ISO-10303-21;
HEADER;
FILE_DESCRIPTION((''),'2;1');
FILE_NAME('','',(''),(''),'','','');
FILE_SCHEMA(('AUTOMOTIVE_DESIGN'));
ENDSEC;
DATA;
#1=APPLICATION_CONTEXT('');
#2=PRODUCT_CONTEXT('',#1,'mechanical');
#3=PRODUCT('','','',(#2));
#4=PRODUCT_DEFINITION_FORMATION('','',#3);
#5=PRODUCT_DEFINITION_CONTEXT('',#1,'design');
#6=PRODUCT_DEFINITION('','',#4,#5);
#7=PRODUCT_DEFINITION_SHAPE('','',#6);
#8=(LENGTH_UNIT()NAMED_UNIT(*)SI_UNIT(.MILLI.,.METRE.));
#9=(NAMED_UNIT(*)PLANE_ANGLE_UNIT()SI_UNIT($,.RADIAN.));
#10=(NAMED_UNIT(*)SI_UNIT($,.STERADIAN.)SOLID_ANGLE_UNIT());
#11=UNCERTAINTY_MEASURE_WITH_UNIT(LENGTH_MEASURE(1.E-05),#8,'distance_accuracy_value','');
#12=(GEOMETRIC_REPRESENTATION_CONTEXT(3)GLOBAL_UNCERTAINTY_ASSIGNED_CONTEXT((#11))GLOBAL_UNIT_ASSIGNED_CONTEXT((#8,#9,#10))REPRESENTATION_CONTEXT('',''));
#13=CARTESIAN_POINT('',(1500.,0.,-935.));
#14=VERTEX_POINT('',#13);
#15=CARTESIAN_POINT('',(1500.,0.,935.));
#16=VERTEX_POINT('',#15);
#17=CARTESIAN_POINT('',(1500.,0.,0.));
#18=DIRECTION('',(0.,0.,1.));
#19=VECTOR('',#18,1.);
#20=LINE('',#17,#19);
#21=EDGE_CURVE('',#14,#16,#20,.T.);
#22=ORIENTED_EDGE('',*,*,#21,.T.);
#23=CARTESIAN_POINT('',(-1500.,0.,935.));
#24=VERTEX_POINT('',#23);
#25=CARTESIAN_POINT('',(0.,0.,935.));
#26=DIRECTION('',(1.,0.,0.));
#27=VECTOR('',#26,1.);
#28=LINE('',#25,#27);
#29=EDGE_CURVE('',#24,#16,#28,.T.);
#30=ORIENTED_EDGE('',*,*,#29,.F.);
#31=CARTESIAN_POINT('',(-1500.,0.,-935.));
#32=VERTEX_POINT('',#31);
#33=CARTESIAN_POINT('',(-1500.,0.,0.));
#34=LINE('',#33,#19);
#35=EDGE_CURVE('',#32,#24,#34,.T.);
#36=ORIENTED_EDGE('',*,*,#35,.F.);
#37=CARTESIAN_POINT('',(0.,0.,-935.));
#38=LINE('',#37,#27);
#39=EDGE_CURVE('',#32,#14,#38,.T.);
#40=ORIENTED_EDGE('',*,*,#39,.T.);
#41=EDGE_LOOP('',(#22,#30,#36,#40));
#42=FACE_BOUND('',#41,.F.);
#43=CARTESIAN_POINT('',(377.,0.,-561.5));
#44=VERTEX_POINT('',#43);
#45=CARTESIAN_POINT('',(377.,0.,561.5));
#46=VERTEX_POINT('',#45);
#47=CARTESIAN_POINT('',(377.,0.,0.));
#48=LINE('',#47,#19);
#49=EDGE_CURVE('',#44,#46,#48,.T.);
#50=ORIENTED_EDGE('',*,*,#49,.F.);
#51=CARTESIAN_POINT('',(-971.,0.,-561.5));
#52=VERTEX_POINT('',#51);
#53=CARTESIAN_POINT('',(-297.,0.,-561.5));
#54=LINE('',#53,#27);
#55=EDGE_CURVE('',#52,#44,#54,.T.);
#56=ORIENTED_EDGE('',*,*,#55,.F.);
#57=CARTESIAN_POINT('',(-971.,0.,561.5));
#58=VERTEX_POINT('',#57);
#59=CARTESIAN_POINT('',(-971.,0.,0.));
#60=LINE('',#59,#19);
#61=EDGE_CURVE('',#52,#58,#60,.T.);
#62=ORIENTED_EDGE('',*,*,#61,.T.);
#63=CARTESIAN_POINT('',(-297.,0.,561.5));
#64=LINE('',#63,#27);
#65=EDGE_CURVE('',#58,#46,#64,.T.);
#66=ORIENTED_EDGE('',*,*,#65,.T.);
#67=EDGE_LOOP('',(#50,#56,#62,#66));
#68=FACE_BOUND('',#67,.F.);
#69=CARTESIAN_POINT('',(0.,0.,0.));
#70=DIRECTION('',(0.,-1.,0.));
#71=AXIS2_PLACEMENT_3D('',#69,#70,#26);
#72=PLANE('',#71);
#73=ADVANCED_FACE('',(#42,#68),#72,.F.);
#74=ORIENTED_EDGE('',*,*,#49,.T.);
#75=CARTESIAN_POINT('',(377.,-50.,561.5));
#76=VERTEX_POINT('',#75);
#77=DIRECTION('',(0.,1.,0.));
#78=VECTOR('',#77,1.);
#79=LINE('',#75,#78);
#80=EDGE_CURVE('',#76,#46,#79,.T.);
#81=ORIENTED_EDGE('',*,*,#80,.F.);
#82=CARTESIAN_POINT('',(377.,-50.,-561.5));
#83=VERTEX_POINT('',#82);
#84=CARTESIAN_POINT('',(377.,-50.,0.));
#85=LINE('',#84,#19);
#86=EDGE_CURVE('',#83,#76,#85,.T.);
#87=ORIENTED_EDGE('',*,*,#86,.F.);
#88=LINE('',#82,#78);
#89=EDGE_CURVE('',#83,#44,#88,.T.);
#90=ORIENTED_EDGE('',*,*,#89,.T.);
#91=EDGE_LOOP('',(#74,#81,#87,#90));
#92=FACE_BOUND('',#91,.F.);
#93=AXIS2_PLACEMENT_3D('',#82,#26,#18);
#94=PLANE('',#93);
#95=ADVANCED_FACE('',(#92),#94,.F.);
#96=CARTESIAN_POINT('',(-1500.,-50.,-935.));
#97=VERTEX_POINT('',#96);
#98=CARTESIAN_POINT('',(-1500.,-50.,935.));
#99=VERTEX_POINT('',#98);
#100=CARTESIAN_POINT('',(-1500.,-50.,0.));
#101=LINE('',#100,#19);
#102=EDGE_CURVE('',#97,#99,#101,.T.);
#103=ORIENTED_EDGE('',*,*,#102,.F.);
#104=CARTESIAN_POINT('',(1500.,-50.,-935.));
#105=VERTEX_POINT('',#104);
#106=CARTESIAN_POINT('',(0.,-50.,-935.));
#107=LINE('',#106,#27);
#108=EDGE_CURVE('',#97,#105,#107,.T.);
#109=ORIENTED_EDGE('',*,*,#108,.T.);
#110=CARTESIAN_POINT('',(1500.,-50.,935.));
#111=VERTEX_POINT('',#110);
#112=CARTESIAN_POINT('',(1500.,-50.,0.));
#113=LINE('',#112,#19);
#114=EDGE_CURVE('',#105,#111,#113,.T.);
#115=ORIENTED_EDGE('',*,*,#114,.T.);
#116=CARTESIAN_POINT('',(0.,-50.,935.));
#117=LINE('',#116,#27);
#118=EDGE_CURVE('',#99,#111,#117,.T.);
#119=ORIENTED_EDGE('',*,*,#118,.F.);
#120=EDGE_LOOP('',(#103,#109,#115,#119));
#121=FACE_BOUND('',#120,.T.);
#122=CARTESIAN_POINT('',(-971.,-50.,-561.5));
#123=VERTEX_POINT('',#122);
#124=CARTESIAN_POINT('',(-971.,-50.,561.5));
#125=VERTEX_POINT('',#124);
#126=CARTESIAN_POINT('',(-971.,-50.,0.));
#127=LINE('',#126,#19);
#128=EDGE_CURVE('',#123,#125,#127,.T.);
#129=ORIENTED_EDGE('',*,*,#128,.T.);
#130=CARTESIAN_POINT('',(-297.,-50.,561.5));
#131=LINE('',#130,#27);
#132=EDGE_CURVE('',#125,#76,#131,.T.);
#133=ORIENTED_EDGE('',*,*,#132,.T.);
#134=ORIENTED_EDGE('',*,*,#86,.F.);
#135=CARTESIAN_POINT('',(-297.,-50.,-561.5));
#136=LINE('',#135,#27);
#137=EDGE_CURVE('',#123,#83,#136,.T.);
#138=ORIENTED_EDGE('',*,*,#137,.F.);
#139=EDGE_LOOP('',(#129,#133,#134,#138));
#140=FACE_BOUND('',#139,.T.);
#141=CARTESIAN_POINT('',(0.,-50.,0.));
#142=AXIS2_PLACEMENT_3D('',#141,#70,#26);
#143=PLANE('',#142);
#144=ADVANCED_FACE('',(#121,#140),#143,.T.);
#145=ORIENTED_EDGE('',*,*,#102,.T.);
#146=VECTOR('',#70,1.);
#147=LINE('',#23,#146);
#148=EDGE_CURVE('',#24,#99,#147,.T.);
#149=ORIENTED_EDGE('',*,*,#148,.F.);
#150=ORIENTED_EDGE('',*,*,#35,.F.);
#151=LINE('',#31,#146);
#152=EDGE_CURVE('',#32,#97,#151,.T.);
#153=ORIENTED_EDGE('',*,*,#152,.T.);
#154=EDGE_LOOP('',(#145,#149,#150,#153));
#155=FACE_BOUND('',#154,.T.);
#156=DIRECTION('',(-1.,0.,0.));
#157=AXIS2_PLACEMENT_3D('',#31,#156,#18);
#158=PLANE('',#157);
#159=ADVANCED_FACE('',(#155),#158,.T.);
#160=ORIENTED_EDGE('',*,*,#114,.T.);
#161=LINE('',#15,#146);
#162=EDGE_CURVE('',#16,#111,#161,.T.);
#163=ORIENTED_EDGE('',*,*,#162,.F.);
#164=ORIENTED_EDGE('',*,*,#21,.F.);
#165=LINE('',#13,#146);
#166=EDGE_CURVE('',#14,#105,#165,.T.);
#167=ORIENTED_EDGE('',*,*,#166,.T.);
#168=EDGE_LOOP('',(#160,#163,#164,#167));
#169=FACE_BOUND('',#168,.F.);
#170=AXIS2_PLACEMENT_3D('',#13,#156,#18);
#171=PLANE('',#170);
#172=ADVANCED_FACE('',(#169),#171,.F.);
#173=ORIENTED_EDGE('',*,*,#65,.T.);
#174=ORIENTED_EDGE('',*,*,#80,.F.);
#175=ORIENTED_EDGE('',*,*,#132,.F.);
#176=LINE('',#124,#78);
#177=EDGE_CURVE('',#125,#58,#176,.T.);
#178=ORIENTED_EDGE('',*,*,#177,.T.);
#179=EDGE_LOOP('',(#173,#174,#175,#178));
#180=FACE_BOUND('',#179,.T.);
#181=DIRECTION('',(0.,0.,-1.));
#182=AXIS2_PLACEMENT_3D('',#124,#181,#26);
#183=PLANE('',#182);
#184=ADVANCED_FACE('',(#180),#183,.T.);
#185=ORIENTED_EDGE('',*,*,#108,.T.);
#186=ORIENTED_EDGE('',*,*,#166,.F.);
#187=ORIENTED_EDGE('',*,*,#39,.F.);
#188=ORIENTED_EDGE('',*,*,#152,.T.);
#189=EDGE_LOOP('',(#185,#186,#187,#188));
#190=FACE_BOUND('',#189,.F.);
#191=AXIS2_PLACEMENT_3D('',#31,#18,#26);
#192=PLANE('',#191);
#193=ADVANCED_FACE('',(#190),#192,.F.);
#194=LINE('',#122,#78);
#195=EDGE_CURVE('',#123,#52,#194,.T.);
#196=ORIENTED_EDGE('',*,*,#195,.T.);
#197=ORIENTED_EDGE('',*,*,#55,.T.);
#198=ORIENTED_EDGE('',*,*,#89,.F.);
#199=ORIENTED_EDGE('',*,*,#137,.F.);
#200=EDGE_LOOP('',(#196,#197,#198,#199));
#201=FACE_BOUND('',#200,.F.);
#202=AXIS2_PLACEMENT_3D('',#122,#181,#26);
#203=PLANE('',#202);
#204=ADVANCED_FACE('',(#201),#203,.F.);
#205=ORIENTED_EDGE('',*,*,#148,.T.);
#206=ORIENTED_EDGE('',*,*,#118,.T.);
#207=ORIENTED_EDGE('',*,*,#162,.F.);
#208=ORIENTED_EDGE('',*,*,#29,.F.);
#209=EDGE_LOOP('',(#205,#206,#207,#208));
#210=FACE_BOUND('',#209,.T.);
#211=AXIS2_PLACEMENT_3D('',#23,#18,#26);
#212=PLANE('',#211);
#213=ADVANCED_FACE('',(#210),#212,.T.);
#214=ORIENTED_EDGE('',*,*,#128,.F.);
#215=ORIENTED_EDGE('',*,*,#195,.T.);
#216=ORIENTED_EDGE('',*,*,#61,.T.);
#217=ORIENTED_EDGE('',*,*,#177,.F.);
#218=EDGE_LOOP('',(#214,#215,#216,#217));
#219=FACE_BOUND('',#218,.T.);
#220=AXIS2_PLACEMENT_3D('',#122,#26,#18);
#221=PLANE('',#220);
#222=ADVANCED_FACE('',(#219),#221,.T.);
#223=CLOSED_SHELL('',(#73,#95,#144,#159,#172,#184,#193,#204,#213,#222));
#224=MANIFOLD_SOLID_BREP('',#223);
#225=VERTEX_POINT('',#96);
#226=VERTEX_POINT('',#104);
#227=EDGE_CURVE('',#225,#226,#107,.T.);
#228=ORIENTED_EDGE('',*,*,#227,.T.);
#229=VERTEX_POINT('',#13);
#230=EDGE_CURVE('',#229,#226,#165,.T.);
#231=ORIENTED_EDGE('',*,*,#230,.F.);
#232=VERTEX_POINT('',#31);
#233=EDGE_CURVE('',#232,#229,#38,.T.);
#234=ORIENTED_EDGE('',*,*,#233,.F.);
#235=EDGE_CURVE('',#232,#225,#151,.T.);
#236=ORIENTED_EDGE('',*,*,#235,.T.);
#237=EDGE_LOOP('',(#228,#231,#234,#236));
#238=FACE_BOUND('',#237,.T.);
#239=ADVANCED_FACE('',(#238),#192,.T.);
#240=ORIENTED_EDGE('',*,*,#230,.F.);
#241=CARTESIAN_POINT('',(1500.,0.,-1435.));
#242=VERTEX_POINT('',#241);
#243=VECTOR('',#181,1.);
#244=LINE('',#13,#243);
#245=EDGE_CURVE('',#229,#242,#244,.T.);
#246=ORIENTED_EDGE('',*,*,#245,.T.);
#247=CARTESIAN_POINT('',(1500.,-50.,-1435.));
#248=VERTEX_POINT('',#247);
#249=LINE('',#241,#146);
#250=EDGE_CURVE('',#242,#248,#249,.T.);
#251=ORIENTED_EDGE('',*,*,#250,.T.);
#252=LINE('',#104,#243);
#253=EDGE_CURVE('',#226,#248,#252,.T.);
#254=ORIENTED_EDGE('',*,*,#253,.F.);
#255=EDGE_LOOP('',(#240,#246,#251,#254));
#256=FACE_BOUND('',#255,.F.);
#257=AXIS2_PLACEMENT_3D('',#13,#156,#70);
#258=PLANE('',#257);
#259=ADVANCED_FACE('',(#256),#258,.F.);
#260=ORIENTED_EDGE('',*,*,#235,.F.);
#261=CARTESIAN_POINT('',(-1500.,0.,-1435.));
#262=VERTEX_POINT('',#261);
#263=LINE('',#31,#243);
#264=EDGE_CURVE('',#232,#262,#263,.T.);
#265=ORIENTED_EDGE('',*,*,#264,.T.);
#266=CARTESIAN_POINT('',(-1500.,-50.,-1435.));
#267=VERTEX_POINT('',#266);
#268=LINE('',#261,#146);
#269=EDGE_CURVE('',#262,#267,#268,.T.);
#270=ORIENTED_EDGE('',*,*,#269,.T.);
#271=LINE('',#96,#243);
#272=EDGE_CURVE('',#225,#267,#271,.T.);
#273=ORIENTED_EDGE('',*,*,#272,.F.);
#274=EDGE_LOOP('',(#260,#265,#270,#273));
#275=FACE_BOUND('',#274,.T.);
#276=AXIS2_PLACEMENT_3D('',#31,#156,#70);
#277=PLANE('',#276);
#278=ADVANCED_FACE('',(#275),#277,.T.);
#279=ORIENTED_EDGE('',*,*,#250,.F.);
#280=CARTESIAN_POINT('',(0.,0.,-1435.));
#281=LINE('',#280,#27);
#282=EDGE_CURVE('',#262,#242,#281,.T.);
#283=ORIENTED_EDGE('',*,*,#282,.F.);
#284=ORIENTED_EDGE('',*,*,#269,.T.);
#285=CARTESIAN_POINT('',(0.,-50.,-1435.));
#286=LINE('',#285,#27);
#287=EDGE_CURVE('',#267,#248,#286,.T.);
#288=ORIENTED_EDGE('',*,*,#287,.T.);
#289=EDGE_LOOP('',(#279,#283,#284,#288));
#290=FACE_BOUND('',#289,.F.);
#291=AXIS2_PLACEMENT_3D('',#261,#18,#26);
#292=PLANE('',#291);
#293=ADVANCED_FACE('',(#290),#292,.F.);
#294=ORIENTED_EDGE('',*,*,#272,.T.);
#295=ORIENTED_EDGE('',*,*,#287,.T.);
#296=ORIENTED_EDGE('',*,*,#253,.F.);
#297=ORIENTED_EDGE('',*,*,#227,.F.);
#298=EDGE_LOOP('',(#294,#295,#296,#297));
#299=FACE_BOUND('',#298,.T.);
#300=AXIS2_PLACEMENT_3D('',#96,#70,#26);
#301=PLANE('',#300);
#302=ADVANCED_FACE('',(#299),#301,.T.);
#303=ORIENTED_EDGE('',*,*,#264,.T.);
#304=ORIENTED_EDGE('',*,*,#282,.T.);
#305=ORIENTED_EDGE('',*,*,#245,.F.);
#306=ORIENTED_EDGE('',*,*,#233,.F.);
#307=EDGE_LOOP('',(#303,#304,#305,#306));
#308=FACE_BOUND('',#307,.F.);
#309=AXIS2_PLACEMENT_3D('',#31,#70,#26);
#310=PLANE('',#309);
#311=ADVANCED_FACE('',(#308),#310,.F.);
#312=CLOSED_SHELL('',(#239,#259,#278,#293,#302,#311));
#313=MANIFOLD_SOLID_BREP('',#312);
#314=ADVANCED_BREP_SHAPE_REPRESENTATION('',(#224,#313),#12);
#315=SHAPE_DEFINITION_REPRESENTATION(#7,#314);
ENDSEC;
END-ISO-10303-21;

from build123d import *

# Parameters (mm, degrees)
F0_W     = 3000
F0_H     = 1870
F1_DEPTH = 50
F2_W     = 1348
F2_H     = 1123
F3_DEPTH = 50
F4_DEPTH = 500


with BuildPart() as f1:
    # F0 (on Front) → F1 (new body)
    with BuildSketch(Plane.XZ):
        Rectangle(F0_W, F0_H)
    extrude(amount=F1_DEPTH)

    # F2 (on face) → F3 (cut, through all)
    with BuildSketch(Plane.XZ.offset(50)):
        with Locations((-297, 0)):
            Rectangle(F2_W, F2_H)
    extrude(amount=-F3_DEPTH, mode=Mode.SUBTRACT)


with BuildPart() as f4:
    # F4 (new): a face of the model
    f4_faces = [f1.part.faces().sort_by_distance(p)[0] for p in [
        (0, -25, -935),
    ]]
    extrude(f4_faces, amount=F4_DEPTH)


solid = Compound([f1.part, f4.part])
